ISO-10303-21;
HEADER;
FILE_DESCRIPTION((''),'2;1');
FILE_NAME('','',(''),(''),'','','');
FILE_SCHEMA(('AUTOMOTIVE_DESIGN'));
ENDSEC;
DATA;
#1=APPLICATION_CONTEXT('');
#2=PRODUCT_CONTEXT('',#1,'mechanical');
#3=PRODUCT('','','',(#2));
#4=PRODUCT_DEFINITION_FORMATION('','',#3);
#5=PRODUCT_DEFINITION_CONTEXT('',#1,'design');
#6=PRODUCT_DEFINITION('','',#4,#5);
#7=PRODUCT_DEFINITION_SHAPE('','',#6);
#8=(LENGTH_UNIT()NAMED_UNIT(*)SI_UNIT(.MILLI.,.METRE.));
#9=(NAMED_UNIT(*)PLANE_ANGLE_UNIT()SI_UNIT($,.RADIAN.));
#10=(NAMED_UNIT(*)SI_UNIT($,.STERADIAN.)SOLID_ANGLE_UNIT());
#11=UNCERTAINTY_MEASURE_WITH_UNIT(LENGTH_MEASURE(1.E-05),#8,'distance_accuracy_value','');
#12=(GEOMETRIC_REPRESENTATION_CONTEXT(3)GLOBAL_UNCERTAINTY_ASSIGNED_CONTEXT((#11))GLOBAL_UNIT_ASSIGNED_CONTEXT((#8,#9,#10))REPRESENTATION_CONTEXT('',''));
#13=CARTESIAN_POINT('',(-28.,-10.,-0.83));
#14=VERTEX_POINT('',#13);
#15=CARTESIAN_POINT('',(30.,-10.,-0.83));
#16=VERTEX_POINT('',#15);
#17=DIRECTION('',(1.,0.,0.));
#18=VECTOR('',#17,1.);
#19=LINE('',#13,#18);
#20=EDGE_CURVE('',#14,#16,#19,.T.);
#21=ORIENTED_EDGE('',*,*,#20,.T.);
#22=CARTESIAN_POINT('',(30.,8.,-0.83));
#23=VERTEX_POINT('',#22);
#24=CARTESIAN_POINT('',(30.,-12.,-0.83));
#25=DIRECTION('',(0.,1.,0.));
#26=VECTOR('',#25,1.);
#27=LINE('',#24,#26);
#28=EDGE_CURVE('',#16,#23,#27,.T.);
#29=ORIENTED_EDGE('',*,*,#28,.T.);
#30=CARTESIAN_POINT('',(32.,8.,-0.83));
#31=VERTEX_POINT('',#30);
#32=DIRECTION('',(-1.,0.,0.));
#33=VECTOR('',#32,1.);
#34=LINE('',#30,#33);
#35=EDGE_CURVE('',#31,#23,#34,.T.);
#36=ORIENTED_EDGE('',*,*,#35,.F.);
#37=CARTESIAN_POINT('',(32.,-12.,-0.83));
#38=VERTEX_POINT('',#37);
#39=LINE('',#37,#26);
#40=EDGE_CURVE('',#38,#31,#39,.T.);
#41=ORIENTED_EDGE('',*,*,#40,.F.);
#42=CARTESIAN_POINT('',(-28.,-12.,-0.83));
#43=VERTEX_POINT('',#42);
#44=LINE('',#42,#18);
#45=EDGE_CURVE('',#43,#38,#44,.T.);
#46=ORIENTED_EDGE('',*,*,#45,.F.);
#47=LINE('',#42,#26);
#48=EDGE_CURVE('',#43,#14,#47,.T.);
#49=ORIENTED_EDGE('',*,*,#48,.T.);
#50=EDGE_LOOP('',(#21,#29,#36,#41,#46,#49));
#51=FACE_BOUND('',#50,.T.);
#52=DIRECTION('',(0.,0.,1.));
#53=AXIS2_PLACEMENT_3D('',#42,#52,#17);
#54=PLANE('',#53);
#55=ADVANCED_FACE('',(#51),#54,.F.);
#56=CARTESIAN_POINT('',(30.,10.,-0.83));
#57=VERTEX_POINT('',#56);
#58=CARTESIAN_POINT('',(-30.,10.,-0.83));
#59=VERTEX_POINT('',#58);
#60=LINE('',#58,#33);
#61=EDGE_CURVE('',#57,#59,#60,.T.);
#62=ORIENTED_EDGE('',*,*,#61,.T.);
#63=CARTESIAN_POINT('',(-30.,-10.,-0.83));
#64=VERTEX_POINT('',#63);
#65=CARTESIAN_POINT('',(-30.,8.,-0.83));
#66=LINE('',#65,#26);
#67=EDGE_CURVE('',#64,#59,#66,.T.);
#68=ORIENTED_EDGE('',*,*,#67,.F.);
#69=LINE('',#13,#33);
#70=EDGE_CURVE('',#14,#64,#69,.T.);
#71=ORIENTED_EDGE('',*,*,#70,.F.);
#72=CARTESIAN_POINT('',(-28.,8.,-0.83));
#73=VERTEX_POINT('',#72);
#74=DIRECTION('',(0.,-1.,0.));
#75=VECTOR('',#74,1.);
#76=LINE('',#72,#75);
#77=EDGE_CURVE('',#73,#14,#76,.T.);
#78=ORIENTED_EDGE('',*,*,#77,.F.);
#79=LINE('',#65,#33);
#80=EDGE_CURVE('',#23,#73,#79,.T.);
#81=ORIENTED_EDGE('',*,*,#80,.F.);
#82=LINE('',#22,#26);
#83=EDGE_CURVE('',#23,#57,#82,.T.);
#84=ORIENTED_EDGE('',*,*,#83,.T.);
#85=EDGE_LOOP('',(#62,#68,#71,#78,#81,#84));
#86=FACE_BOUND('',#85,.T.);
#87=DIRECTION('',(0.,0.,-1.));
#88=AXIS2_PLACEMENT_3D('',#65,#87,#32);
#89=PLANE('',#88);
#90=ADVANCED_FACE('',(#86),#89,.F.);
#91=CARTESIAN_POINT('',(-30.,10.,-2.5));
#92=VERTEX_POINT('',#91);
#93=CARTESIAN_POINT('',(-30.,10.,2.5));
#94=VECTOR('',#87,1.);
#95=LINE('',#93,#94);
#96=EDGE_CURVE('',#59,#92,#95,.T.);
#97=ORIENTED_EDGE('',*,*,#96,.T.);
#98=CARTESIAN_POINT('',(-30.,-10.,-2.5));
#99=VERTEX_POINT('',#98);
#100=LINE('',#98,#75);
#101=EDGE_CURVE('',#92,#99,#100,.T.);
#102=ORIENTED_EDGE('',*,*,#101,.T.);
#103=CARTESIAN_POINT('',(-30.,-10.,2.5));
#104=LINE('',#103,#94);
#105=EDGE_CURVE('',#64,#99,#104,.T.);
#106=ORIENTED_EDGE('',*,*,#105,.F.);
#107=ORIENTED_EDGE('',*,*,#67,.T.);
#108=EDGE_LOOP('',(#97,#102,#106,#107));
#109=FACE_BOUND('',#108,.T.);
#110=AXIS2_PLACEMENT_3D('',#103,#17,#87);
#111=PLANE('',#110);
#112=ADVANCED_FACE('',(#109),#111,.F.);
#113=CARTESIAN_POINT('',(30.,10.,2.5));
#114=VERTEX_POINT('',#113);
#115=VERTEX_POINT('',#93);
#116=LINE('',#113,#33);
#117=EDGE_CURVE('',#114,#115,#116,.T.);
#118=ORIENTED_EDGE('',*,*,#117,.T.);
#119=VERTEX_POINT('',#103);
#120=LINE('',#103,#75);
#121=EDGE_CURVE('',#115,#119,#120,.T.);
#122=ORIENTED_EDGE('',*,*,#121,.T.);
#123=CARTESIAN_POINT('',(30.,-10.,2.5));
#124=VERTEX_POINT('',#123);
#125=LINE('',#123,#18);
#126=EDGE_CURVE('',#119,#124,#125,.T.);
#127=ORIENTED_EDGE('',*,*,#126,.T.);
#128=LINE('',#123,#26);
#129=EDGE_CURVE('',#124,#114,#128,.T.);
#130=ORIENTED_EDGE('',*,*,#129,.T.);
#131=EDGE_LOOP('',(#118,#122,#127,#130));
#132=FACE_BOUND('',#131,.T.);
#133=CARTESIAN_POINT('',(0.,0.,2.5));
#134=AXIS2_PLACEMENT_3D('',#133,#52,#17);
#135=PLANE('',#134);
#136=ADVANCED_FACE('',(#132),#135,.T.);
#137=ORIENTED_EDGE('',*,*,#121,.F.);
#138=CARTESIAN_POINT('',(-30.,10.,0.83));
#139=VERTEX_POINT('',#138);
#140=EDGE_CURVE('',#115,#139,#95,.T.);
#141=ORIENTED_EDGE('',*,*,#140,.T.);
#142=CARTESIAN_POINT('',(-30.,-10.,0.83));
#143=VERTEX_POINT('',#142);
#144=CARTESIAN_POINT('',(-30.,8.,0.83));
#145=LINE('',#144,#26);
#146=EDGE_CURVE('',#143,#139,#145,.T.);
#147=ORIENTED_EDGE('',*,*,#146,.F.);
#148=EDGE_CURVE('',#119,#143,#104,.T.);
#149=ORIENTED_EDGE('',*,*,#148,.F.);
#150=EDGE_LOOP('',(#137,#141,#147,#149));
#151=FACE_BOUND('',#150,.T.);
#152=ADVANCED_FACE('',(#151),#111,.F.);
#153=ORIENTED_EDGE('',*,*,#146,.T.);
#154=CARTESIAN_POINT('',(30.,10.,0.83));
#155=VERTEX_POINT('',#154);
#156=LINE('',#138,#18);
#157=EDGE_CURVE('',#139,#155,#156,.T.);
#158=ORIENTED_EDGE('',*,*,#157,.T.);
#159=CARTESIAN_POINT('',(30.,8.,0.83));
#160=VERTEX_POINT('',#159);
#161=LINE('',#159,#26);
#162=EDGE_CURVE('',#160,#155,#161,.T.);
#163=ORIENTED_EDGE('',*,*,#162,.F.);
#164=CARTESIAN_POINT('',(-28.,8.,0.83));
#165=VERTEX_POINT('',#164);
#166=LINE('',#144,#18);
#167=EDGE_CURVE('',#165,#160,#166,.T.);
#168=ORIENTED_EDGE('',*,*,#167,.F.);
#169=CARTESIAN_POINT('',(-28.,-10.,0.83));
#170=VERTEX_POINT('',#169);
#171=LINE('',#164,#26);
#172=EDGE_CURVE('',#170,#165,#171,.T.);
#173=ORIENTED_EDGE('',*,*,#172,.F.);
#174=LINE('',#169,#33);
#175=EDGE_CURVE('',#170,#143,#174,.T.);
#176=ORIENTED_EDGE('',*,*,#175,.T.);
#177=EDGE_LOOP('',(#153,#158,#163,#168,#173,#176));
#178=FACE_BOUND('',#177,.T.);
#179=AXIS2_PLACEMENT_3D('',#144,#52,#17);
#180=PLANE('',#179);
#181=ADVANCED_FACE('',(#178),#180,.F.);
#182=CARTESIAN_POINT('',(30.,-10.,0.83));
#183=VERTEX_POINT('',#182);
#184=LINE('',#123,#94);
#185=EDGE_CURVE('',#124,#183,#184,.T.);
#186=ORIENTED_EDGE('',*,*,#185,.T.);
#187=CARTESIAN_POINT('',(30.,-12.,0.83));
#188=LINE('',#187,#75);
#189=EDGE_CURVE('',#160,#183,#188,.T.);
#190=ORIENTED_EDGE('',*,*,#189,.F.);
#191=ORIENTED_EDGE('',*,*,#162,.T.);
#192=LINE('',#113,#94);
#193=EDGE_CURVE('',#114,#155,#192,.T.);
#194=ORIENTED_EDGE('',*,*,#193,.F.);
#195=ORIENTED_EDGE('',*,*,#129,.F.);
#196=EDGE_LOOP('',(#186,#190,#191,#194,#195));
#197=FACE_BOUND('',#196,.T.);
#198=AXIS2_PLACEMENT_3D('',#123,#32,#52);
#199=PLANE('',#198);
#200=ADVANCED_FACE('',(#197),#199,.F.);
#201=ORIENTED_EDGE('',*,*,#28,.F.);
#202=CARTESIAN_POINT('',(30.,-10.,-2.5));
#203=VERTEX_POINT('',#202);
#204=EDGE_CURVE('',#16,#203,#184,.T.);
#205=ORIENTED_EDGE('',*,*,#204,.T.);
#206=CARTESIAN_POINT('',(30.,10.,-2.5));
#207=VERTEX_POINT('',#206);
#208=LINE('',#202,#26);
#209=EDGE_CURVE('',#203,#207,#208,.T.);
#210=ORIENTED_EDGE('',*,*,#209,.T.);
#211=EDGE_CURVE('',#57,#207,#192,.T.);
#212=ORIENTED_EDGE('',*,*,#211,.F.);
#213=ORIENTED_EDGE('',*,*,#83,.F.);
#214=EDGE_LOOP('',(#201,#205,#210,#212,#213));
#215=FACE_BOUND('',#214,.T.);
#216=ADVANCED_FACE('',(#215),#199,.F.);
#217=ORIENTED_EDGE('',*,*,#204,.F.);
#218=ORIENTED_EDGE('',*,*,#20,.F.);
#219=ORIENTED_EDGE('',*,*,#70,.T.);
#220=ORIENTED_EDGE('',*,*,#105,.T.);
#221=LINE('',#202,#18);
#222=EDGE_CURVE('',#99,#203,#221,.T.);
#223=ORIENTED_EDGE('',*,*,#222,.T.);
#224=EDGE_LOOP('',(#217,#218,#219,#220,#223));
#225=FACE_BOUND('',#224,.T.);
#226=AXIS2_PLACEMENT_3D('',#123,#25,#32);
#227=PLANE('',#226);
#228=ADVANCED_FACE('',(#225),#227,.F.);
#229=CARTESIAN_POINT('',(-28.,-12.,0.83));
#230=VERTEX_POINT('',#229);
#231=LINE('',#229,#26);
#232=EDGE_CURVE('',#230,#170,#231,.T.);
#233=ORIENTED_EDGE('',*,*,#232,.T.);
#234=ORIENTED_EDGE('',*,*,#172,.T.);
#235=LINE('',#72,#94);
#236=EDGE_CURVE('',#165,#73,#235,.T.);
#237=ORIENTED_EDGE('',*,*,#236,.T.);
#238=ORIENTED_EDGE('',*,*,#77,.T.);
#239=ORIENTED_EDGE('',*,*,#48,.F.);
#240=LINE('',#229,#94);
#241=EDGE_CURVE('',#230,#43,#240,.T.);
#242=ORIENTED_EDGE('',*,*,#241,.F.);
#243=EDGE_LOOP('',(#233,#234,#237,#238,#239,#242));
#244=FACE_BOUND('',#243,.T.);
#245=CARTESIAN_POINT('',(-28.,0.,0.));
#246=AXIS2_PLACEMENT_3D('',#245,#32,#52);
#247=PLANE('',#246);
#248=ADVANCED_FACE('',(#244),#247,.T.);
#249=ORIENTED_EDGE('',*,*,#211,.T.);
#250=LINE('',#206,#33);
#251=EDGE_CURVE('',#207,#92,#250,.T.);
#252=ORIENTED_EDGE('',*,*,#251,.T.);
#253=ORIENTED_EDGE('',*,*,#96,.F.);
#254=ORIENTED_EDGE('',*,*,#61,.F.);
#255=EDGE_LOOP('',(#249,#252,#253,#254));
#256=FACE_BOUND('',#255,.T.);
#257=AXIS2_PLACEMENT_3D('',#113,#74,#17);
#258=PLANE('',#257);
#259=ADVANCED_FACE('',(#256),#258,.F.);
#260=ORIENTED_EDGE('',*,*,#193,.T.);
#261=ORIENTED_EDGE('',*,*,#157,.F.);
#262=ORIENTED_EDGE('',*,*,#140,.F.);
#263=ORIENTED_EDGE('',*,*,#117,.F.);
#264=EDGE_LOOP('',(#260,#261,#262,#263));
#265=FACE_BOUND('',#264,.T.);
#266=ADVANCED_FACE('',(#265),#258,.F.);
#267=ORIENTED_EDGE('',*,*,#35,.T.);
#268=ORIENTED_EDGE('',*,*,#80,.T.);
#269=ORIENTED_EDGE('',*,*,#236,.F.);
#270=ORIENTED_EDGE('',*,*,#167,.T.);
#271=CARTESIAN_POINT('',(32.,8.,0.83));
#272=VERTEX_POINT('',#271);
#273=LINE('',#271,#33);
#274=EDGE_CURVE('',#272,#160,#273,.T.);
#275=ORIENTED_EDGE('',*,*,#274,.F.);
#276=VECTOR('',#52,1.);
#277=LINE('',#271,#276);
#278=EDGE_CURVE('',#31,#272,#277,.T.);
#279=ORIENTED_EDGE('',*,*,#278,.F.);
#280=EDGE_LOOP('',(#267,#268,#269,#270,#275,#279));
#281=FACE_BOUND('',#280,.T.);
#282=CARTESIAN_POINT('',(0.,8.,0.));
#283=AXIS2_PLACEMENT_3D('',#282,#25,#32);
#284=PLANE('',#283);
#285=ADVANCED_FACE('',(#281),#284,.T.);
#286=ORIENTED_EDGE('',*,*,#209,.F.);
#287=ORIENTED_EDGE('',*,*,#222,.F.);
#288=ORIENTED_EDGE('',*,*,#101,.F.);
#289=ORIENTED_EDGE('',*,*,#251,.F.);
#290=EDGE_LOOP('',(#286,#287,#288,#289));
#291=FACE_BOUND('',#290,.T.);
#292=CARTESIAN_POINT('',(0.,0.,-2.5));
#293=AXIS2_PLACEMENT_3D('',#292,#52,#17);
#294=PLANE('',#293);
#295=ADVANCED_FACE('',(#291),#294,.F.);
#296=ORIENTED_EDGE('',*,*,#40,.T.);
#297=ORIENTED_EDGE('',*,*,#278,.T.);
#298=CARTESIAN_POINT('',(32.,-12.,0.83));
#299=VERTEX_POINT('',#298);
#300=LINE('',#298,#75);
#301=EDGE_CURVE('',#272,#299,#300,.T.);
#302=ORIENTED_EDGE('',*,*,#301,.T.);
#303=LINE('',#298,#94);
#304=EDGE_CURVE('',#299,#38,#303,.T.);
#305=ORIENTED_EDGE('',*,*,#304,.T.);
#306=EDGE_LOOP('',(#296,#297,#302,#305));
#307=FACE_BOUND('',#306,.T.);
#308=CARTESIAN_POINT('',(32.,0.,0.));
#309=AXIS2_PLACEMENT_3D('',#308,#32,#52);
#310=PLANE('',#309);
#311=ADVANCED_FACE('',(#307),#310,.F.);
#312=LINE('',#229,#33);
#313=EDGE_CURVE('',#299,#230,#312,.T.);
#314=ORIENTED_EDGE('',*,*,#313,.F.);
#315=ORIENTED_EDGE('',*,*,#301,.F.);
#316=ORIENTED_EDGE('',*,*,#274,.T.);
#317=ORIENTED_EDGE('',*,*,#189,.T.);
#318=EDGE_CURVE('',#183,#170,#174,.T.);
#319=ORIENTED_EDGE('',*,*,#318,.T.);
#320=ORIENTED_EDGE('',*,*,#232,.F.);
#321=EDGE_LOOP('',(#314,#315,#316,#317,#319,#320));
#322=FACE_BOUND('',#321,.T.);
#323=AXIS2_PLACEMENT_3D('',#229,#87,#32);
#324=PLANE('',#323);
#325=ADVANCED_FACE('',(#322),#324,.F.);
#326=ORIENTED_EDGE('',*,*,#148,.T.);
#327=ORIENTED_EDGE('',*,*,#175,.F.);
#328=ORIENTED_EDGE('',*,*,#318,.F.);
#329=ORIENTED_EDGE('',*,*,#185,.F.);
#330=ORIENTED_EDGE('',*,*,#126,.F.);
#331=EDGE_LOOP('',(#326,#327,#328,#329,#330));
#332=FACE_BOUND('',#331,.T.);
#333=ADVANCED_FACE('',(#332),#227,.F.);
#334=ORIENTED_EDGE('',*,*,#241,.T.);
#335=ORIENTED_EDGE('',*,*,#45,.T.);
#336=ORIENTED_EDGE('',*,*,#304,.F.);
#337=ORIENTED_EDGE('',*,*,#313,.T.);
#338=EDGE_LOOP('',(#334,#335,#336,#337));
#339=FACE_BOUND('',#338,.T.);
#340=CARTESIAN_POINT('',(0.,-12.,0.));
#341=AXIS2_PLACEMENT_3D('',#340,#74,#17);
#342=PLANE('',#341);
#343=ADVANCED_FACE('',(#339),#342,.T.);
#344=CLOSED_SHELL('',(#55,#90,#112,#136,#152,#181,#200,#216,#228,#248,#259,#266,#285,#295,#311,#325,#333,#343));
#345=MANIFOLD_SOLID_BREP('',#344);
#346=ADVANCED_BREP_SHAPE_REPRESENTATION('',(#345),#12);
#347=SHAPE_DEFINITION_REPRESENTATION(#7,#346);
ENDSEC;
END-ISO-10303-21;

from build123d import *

# Parameters (mm, degrees)
SKETCH1_W           = 60
SKETCH1_H           = 20
BOSS_EXTRUDE1_DEPTH = 2.5
SKETCH2_W           = 60
SKETCH2_H           = 1.66
CUT_EXTRUDE1_DEPTH  = 2
SKETCH3_W           = 1.66
SKETCH3_H           = 18
CUT_EXTRUDE2_DEPTH  = 2
SKETCH4_W           = 58
SKETCH4_H           = 1.66
BOSS_EXTRUDE2_DEPTH = 2
SKETCH5_W           = 1.66
SKETCH5_H           = 20
BOSS_EXTRUDE3_DEPTH = 2


with BuildPart() as part:
    # Sketch1 → Boss-Extrude1 (new, symmetric)
    with BuildSketch(Plane.XY):
        Rectangle(SKETCH1_W, SKETCH1_H)
    extrude(amount=BOSS_EXTRUDE1_DEPTH, both=True)

    # Sketch2 → Cut-Extrude1 (cut)
    with BuildSketch(Plane(origin=(0, 10, 0), x_dir=(1, 0, 0), z_dir=(0, 1, 0))):
        Rectangle(SKETCH2_W, SKETCH2_H)
    extrude(amount=-CUT_EXTRUDE1_DEPTH, mode=Mode.SUBTRACT)

    # Sketch3 → Cut-Extrude2 (cut)
    with BuildSketch(Plane.ZY.offset(30)):
        with Locations((0, -1)):
            Rectangle(SKETCH3_W, SKETCH3_H)
    extrude(amount=-CUT_EXTRUDE2_DEPTH, mode=Mode.SUBTRACT)

    # Sketch4 → Boss-Extrude2 (add)
    with BuildSketch(Plane.XZ.offset(10)):
        with Locations((1, 0)):
            Rectangle(SKETCH4_W, SKETCH4_H)
    extrude(amount=BOSS_EXTRUDE2_DEPTH)

    # Sketch5 → Boss-Extrude3 (add)
    with BuildSketch(Plane(origin=(30, 0, 0), x_dir=(0, 0, -1), z_dir=(1, 0, 0))):
        with Locations((0, -2)):
            Rectangle(SKETCH5_W, SKETCH5_H)
    extrude(amount=BOSS_EXTRUDE3_DEPTH)


solid = part.part
